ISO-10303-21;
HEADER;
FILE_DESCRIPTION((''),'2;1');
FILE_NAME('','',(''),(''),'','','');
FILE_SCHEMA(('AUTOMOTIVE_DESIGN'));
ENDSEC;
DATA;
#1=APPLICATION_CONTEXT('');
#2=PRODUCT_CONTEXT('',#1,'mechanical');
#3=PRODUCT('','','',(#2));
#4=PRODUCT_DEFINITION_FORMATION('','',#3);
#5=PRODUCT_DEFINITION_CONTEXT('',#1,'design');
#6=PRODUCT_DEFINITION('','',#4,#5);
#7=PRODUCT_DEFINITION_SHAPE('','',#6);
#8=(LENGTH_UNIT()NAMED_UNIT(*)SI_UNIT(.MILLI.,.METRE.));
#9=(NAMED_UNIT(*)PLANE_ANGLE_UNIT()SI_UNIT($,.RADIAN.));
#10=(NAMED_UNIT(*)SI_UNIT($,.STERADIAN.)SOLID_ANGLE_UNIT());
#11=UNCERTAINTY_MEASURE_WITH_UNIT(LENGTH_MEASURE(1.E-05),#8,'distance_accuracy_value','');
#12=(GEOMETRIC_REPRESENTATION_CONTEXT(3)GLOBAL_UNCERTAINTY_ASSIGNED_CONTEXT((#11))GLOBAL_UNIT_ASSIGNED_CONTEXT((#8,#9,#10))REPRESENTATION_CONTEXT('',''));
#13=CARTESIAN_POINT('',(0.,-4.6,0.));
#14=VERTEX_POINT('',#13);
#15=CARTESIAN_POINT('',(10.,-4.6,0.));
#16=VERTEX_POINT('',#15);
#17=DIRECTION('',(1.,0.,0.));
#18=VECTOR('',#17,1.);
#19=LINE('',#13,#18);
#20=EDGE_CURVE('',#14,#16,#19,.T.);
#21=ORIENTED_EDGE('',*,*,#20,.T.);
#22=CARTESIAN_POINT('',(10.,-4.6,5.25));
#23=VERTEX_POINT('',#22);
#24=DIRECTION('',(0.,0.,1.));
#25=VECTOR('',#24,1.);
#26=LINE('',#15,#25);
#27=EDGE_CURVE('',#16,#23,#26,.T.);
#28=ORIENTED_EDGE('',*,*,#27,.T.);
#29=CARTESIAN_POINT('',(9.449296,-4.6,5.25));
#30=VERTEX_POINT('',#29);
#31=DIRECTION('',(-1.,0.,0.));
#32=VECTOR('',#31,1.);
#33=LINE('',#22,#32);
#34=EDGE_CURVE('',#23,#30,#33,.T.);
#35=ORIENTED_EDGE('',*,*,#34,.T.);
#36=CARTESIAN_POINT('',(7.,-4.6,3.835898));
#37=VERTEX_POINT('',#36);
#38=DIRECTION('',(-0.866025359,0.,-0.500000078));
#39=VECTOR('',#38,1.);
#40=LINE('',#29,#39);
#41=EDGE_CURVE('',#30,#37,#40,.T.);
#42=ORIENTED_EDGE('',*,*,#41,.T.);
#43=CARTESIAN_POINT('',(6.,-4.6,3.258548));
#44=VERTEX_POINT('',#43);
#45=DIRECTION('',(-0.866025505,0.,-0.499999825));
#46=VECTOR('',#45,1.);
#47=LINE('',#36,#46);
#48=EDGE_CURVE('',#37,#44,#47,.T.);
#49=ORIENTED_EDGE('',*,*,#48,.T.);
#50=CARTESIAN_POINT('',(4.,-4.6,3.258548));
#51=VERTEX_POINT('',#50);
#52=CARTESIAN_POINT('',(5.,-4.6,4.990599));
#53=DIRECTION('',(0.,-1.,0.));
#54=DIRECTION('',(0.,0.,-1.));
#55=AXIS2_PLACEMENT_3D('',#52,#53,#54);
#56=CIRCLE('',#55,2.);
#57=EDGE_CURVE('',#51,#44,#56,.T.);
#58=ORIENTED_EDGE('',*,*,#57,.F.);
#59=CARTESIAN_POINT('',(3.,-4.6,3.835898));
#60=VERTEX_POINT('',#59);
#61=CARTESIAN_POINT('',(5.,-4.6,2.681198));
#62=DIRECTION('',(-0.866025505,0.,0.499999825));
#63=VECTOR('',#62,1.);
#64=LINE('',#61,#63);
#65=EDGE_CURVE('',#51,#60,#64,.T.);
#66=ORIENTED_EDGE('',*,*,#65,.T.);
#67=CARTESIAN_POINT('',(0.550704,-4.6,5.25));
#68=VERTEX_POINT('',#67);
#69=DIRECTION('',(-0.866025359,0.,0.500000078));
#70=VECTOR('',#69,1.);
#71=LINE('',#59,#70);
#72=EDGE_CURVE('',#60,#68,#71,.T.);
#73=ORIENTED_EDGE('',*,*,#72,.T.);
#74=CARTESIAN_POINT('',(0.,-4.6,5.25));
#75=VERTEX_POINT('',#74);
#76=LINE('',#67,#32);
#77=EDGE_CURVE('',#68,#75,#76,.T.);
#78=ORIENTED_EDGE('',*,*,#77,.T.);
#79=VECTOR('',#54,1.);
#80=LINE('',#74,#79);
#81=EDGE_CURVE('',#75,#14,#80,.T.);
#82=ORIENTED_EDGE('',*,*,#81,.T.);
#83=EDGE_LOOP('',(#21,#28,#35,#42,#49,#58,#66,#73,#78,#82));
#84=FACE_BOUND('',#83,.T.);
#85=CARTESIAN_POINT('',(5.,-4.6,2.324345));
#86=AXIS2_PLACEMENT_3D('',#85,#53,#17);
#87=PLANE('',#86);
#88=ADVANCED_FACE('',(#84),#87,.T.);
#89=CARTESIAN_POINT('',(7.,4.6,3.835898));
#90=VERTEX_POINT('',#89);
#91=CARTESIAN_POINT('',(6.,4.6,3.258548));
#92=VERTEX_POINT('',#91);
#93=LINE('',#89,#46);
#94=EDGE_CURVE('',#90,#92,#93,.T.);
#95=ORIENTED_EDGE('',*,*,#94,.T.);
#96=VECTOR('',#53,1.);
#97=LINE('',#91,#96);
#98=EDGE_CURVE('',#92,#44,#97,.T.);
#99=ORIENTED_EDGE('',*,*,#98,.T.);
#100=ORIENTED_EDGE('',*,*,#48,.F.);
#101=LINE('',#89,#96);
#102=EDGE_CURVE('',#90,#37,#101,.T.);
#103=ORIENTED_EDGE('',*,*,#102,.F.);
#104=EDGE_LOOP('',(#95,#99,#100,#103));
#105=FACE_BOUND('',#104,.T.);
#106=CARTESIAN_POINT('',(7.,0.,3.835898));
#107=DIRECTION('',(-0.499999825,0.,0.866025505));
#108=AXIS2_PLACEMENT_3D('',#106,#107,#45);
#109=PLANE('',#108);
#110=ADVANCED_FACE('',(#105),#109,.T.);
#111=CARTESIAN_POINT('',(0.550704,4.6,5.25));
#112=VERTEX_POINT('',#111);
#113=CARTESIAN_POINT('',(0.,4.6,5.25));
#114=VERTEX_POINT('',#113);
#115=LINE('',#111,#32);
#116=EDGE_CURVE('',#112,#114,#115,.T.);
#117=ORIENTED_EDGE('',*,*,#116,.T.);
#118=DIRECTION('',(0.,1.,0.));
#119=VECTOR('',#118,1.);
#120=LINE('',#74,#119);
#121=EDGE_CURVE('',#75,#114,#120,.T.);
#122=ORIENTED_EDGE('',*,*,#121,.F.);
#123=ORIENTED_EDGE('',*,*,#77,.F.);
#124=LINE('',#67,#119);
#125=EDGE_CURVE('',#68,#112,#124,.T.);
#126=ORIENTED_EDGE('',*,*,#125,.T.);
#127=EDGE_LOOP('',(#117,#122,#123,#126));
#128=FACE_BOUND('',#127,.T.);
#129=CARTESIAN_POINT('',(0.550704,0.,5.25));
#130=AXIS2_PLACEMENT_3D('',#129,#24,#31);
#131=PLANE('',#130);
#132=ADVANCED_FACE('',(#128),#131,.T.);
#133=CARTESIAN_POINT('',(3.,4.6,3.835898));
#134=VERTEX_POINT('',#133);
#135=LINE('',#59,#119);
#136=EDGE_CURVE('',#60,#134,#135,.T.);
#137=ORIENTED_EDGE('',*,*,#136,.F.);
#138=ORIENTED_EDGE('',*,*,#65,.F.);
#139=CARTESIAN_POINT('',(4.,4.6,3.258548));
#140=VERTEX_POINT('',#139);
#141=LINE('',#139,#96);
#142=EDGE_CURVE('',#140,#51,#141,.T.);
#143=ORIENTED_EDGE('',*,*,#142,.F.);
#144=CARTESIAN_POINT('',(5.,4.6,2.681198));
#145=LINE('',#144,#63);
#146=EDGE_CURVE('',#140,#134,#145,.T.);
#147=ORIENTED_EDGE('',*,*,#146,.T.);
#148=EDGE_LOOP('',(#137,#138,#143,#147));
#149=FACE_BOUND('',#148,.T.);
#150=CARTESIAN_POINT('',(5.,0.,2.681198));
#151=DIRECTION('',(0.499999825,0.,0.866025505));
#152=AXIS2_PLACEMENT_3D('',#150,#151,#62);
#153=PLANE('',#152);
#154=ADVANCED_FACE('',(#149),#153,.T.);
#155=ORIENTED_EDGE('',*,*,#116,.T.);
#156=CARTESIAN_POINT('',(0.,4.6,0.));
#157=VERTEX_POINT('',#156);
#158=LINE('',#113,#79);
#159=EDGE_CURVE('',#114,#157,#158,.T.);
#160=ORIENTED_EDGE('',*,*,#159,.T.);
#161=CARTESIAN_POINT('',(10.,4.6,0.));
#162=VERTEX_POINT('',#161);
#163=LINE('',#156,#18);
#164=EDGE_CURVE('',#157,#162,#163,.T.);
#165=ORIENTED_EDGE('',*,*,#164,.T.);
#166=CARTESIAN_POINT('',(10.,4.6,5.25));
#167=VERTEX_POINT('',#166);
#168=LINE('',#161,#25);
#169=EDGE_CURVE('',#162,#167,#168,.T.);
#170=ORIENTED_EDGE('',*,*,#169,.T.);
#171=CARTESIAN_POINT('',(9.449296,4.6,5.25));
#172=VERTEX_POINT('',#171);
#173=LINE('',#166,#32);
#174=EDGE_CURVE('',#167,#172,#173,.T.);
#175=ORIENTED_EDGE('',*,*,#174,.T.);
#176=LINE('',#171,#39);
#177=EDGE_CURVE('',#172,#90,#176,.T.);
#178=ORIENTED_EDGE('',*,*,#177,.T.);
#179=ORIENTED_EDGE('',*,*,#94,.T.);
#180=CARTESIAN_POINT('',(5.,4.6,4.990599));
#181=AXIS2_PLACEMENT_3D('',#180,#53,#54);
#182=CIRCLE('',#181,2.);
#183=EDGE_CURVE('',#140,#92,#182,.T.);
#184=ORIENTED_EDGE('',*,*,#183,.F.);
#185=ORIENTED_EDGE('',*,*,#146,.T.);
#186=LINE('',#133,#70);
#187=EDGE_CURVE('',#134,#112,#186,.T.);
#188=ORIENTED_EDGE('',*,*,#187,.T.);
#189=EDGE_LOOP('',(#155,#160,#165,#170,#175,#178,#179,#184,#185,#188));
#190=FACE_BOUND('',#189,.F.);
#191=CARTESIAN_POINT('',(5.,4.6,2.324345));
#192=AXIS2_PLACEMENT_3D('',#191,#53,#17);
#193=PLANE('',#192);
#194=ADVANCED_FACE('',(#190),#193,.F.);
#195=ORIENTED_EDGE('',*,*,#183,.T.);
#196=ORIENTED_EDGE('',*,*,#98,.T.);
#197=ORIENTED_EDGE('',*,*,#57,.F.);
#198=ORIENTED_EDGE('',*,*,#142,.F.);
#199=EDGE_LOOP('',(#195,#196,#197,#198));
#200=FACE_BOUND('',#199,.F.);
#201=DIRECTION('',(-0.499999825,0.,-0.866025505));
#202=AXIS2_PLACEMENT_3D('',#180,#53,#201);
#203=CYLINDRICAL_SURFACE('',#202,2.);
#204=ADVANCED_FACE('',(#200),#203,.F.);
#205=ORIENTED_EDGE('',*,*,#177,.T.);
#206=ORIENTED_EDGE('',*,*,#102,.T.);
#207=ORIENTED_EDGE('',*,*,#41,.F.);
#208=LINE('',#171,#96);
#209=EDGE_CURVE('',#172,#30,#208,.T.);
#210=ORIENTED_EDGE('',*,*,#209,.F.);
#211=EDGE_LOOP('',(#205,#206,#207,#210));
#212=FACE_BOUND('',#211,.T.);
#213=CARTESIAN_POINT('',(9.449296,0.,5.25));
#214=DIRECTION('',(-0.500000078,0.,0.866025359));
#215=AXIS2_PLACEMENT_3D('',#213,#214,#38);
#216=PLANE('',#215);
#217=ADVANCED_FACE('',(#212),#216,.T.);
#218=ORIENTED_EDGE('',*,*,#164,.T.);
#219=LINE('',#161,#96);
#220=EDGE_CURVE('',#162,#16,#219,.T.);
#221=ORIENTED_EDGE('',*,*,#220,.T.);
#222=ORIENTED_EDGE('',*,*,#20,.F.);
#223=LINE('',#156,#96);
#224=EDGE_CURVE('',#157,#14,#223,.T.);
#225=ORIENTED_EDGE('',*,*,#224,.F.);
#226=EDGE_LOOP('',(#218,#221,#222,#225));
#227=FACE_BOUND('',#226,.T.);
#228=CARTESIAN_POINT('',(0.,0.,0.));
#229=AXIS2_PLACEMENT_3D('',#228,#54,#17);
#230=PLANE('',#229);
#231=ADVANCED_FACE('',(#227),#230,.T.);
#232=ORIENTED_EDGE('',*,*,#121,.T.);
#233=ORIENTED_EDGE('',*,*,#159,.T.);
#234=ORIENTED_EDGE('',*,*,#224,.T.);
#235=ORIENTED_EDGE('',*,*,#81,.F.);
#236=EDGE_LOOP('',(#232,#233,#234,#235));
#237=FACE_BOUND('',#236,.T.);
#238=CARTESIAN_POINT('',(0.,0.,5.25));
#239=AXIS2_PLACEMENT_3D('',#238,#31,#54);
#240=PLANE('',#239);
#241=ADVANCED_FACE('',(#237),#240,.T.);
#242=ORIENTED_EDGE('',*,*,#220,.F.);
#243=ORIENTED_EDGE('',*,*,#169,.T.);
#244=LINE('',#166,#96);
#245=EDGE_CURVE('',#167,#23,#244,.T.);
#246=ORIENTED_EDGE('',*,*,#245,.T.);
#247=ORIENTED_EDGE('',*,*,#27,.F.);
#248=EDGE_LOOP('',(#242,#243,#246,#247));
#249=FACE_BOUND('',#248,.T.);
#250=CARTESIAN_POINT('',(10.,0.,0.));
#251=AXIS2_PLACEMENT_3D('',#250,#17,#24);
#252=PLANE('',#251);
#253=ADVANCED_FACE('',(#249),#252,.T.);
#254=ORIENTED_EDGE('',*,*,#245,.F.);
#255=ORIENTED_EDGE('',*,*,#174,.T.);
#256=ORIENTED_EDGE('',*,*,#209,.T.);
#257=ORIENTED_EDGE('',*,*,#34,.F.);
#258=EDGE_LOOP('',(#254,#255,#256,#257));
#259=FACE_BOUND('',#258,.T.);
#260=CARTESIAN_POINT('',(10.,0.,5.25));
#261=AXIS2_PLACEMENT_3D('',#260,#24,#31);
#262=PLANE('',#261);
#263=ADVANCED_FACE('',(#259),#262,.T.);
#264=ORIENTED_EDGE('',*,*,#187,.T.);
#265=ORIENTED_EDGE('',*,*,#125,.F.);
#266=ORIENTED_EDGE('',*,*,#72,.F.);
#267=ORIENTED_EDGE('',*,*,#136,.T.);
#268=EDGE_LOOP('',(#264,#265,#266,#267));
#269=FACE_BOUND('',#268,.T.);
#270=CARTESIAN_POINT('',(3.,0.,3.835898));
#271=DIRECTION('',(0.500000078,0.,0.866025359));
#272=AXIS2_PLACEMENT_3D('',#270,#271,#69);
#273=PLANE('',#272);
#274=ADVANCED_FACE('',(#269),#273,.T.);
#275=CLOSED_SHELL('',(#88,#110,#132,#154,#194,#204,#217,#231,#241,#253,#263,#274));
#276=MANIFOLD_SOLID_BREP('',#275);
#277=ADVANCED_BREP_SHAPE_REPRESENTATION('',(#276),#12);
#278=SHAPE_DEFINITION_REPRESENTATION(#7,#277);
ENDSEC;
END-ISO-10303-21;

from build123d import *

# Parameters (mm, degrees)
F1_DEPTH = 4.6
F2_R     = 2


with BuildPart() as f1:
    # F0 (on Front) → F1 (new body, symmetric)
    with BuildSketch(Plane.XZ):
        Polygon((0, 5.25), (0, 0), (10, 0), (10, 5.25), (9.449296, 5.25), (7, 3.835898), (5, 2.681198), (3, 3.835898), (0.550704, 5.25), align=None)
    extrude(amount=F1_DEPTH, both=True)

    # F2
    f2_edges = [f1.edges().sort_by_distance(p)[0] for p in [
        (5, 0, 2.681198),
    ]]
    fillet(f2_edges, radius=F2_R)


solid = f1.part
